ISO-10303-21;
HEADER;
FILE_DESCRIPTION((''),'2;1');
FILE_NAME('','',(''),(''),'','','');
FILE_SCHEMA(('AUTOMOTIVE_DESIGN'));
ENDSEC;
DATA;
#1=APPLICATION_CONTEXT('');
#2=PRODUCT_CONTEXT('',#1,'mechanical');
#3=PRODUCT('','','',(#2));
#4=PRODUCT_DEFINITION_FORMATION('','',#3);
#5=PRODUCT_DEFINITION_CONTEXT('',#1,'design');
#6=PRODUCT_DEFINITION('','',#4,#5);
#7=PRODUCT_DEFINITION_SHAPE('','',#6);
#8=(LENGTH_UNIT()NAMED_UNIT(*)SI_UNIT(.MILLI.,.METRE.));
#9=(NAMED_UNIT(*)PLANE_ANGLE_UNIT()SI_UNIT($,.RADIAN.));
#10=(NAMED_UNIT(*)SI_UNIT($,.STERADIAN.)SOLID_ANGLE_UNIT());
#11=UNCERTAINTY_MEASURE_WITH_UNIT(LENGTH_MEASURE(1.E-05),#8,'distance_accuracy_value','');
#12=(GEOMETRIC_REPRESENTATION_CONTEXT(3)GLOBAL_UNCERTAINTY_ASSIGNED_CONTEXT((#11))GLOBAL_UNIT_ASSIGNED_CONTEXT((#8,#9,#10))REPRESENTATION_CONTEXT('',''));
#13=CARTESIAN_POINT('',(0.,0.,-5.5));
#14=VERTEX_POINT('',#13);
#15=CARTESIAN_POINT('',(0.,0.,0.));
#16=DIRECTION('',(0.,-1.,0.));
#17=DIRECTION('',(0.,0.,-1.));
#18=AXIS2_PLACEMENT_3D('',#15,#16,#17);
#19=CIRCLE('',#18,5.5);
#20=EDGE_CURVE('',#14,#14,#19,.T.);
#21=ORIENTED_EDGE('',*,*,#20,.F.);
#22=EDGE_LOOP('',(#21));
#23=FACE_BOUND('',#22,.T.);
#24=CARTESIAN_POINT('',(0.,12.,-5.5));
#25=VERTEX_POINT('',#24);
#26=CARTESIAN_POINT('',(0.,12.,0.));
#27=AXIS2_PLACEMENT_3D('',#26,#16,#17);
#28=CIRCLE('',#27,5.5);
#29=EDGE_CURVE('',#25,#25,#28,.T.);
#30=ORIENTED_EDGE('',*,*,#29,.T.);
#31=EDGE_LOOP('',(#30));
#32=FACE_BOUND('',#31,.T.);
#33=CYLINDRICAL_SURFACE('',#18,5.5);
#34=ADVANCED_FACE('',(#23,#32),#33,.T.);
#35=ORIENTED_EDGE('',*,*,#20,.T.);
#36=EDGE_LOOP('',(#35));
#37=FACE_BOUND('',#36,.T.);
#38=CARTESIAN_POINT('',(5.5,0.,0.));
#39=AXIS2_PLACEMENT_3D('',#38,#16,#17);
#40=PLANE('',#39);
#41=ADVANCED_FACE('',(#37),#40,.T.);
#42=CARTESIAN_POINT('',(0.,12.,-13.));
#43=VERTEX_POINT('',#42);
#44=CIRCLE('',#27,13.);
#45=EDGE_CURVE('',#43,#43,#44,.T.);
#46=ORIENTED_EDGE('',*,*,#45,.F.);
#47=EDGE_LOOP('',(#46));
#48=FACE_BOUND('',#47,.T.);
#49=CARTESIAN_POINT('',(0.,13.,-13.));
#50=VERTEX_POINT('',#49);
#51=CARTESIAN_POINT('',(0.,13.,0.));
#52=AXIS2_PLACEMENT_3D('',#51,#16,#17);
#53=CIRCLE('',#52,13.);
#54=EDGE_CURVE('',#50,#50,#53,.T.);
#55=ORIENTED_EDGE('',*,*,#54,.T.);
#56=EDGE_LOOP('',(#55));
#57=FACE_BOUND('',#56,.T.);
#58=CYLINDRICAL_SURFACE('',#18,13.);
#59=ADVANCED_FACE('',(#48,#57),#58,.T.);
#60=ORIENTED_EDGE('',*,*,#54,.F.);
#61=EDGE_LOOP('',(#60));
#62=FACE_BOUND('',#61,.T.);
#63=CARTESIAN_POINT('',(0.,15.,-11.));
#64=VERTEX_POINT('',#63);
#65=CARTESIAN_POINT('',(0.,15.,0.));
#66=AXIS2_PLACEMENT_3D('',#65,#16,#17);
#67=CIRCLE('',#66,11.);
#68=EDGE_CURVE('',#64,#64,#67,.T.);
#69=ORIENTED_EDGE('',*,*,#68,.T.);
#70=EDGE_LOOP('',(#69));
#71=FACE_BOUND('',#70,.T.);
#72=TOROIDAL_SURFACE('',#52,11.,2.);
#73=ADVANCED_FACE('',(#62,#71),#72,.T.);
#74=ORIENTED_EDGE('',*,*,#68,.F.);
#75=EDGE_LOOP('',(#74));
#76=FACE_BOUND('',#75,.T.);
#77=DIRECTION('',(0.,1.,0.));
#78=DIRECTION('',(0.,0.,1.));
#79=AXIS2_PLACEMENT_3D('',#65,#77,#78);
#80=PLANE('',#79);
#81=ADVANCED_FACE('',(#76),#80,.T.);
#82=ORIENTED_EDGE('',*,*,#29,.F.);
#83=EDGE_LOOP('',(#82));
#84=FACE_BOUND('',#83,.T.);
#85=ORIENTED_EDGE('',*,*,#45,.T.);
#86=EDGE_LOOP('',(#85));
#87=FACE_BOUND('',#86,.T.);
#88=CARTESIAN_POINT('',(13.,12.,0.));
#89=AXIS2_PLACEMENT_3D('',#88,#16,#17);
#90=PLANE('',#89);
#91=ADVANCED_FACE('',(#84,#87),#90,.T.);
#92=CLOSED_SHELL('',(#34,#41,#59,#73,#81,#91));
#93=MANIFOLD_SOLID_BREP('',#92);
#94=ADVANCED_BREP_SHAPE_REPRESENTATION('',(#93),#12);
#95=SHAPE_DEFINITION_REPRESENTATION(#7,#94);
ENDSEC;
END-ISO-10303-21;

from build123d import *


with BuildPart() as part:
    # Sketch1 → Revolve1 (revolve)
    with BuildSketch(Plane.XY, mode=Mode.PRIVATE) as revolve1_sk:
        with BuildLine():
            Line((0, 15), (11, 15))
            ThreePointArc((11, 15), (12.414213562, 14.414213562), (13, 13))
            Line((13, 13), (13, 12))
            Line((13, 12), (5.5, 12))
            Line((5.5, 12), (5.5, 0))
            Line((5.5, 0), (0, 0))
            Line((0, 0), (0, 15))
        make_face()
    revolve(revolve1_sk.sketch.rotate(Axis((0, 0, 0), (0, 1, 0)), 90), axis=Axis((0, 0, 0), (0, 1, 0)))


solid = part.part
